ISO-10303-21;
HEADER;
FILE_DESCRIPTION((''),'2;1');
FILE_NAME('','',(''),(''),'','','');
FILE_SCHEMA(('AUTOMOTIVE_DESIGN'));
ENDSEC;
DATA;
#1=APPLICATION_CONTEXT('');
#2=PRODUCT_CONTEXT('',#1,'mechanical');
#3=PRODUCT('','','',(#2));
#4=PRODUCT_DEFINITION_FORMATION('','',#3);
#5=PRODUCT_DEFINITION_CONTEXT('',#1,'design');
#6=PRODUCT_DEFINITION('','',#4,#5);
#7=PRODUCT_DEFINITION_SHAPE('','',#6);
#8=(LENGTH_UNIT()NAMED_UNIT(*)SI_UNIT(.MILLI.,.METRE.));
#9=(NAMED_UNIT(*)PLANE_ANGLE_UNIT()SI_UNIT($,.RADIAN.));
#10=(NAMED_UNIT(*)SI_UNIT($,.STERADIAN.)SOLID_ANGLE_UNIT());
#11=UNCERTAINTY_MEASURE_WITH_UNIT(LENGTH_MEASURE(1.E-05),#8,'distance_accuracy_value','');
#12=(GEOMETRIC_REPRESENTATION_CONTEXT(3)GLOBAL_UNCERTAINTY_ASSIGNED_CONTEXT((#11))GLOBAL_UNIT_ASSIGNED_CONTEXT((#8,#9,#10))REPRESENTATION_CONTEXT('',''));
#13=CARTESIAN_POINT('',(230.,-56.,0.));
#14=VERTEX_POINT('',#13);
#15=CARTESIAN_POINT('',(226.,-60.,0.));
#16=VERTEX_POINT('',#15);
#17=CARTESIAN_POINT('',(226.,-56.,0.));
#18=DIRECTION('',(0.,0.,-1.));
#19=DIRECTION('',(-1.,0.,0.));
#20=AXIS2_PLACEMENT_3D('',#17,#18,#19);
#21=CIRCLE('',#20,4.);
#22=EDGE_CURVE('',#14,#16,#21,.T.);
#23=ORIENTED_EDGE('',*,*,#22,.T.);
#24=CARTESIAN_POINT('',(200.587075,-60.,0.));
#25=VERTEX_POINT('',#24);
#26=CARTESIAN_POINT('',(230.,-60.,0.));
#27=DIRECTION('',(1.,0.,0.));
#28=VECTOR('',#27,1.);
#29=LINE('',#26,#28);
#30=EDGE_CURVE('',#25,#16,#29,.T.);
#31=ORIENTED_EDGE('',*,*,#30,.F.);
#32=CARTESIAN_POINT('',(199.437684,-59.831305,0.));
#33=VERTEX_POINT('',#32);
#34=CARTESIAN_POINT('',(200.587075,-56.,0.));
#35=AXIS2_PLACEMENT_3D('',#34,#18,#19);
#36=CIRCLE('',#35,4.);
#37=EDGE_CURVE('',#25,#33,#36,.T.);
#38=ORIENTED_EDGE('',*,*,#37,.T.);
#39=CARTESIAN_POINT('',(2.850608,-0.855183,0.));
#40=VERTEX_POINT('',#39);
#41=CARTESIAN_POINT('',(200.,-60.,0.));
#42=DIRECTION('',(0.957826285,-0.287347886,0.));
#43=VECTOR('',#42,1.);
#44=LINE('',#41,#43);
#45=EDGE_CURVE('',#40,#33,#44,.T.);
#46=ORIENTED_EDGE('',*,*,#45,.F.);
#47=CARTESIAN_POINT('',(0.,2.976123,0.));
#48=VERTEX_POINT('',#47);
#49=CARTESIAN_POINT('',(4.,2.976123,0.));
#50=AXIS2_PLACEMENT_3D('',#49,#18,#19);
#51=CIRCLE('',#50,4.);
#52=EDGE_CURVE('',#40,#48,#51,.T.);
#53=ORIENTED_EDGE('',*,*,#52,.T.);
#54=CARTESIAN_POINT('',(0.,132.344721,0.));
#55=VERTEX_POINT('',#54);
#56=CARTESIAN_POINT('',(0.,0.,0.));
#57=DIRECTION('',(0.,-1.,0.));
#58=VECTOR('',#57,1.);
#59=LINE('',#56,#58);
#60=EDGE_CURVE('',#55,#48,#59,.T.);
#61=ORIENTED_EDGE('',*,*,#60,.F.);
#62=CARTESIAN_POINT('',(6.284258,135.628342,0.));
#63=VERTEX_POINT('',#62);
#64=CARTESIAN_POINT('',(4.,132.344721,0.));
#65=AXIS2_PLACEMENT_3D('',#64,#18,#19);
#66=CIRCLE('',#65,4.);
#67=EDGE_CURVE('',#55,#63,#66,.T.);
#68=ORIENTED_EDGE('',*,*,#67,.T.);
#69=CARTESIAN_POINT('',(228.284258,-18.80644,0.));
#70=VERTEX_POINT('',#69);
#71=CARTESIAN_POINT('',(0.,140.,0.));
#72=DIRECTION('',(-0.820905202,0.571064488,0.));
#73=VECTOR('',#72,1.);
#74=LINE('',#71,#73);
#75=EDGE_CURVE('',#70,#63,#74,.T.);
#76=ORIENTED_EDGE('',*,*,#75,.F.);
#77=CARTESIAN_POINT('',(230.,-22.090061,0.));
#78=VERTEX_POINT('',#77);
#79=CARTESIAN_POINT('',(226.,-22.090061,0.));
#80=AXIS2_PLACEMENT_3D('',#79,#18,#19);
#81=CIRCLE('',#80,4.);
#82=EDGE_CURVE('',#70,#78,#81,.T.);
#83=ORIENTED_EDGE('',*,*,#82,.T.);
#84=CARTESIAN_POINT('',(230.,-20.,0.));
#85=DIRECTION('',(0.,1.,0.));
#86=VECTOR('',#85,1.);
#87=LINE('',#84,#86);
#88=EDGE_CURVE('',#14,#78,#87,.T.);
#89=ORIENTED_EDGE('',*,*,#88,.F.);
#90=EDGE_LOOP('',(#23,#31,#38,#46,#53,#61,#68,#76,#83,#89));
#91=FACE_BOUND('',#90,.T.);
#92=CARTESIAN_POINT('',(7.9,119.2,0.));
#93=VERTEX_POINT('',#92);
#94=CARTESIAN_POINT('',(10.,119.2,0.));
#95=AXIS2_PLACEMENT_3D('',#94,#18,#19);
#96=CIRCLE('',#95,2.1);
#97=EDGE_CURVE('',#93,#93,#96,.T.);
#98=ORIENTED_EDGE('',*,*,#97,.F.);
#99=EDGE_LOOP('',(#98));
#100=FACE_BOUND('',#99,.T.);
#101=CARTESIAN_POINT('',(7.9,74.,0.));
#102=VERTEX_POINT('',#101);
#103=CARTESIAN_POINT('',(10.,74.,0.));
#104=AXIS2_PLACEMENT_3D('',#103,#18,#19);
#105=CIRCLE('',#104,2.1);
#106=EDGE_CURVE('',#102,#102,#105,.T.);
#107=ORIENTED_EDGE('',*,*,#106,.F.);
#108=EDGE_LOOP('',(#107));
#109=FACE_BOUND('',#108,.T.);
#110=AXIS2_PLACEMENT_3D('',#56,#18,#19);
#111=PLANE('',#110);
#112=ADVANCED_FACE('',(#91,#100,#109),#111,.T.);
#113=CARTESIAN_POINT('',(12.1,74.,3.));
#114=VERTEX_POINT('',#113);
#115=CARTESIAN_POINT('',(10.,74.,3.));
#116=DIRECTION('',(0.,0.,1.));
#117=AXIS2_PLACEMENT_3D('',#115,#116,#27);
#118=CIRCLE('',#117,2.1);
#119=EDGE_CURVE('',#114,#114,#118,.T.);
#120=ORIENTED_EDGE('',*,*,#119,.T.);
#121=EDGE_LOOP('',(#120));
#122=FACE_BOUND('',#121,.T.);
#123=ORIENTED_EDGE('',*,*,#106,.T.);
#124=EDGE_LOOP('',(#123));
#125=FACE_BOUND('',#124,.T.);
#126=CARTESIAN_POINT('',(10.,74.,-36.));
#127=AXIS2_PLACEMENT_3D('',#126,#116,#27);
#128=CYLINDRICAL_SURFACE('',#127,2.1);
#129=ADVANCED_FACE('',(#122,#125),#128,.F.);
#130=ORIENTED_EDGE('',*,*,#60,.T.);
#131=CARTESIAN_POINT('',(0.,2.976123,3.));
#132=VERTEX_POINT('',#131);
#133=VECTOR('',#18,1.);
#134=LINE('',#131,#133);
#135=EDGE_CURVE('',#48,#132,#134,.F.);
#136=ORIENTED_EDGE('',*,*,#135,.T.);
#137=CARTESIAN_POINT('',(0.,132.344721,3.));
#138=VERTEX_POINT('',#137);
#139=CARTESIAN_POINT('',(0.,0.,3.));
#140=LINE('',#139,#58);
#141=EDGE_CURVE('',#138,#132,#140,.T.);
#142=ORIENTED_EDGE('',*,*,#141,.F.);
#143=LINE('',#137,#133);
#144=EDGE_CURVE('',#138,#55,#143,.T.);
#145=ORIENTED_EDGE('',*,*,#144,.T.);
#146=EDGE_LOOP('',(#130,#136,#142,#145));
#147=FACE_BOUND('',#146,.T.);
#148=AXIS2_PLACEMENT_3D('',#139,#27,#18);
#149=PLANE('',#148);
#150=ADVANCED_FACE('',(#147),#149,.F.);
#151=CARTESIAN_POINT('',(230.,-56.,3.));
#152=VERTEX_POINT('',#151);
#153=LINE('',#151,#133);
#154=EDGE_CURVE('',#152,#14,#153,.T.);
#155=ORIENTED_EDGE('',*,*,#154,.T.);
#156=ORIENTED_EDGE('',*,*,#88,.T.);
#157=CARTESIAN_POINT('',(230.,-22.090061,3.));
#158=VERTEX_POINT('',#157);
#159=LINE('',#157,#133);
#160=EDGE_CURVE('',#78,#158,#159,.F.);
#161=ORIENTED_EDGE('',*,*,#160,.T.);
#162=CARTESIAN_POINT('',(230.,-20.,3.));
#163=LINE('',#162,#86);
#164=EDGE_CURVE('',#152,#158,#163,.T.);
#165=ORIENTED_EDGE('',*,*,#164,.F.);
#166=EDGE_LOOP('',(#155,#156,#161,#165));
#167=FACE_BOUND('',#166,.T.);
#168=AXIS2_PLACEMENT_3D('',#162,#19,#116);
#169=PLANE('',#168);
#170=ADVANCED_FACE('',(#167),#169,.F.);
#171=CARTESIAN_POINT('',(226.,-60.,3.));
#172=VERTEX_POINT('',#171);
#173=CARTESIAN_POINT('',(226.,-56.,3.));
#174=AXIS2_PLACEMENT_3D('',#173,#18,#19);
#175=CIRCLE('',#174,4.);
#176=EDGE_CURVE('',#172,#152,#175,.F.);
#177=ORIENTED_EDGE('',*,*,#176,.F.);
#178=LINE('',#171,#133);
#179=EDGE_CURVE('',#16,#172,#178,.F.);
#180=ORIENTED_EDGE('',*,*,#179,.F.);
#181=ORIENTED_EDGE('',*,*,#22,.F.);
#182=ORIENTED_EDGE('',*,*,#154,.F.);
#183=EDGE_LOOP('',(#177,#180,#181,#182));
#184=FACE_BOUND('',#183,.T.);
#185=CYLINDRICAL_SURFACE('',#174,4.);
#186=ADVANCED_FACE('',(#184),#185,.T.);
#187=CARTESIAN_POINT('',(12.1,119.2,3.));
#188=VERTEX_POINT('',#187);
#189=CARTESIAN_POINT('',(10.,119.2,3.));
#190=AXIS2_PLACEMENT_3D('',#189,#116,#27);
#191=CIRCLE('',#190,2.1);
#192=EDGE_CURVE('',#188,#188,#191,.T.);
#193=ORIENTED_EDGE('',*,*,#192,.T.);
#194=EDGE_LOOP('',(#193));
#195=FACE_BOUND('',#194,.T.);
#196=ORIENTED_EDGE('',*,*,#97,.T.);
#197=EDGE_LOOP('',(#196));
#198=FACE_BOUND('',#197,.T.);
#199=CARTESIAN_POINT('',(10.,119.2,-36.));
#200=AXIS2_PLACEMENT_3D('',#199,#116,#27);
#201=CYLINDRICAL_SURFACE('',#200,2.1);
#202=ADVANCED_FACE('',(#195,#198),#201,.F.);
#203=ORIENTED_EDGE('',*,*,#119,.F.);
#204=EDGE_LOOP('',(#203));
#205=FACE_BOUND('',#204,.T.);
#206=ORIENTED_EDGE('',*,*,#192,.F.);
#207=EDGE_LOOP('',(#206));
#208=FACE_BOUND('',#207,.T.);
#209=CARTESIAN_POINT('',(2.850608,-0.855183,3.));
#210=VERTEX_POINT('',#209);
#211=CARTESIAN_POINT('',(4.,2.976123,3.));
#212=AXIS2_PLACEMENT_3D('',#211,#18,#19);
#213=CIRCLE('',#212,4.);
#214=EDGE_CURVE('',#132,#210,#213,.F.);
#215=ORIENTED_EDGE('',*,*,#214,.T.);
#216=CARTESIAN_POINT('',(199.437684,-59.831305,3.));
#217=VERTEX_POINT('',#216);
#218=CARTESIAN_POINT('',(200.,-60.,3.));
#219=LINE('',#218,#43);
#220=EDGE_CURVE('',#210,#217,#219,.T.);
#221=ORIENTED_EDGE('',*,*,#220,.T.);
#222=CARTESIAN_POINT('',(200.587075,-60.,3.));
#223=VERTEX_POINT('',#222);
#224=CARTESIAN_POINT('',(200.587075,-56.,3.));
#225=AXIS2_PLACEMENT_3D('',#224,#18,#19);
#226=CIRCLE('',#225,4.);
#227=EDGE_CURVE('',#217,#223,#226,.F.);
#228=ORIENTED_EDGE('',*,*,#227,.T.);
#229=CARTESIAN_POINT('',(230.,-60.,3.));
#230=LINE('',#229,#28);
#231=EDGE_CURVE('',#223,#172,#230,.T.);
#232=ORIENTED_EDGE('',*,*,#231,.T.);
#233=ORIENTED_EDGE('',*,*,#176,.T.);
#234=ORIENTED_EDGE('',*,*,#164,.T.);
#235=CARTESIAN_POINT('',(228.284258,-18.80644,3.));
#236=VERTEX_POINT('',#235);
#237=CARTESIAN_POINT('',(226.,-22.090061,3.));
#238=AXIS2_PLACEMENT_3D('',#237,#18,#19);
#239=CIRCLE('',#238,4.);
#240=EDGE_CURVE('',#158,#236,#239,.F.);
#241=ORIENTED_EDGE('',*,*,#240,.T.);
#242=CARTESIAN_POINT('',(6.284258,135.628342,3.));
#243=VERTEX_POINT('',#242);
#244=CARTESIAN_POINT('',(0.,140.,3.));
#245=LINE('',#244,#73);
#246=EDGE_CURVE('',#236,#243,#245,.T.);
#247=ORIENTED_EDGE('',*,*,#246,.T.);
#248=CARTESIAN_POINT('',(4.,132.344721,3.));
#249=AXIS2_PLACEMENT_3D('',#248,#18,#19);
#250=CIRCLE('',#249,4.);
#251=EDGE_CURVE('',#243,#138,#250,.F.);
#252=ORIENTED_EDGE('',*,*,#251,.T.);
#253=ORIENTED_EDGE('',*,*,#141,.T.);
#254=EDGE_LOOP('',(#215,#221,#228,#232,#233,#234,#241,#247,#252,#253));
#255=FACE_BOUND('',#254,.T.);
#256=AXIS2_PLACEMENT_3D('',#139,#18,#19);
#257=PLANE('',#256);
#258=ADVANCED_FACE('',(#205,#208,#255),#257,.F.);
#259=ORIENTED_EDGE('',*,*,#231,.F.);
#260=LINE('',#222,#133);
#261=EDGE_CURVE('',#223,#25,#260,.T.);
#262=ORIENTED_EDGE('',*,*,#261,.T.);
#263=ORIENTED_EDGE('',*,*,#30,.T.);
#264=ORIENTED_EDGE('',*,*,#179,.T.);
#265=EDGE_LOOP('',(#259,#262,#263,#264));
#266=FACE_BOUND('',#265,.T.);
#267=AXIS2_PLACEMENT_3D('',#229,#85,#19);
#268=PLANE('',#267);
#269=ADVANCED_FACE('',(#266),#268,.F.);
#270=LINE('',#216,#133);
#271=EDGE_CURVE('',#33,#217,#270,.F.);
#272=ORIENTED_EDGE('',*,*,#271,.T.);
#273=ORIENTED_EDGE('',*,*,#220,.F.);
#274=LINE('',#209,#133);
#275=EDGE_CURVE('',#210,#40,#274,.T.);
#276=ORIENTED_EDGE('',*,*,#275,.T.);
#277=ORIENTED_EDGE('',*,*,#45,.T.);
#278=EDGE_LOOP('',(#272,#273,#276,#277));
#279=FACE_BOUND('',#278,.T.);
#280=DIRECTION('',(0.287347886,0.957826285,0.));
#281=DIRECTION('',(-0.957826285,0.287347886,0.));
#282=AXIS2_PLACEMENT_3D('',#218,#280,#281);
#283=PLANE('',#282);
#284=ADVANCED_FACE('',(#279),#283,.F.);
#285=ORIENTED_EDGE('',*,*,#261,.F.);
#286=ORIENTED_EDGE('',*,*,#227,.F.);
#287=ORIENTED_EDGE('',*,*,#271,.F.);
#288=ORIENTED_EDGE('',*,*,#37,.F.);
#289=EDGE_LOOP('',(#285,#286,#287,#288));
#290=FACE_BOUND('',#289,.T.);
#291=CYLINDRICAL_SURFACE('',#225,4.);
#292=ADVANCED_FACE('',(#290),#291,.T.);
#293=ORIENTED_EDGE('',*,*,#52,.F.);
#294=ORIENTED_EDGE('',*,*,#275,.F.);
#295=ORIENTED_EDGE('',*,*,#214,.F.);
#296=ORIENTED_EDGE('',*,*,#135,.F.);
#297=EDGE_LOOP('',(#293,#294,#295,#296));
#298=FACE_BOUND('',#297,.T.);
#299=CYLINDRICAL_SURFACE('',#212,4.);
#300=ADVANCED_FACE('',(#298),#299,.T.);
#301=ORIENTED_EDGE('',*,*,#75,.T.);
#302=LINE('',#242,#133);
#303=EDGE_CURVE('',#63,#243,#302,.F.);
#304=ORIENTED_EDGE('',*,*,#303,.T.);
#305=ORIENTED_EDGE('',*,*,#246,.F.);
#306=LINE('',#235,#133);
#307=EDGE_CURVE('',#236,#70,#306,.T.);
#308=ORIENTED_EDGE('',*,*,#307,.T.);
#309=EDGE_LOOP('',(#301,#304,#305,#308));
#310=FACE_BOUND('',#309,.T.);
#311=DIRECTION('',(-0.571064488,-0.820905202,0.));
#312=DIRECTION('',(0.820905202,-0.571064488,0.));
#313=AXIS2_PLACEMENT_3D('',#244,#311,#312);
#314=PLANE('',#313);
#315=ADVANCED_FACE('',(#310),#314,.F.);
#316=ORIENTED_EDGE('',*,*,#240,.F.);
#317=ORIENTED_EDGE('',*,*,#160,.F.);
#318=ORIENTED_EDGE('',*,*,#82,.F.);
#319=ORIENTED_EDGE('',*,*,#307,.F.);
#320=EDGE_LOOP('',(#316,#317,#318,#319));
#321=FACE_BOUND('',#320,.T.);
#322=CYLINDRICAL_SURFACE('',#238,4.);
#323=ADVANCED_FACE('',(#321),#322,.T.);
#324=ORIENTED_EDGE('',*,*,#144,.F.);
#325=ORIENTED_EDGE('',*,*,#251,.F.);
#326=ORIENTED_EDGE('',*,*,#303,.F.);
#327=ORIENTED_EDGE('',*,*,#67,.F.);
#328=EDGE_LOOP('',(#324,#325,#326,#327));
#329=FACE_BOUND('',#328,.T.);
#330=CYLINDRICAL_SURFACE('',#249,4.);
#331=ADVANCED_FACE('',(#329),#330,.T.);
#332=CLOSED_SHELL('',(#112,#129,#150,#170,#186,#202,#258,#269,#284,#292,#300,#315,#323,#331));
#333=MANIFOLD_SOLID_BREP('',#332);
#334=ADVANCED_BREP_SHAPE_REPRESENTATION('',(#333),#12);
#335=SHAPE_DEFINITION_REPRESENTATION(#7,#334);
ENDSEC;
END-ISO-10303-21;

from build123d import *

# Parameters (mm, degrees)
EXTRUDE_1_DEPTH     = 3
SKETCH_2_R          = 2.1
CUT_EXTRUDE_1_DEPTH = 39
FILLET_1_R          = 4


with BuildPart() as part:
    # Эскиз1 → Бобышка-Вытянуть1 (new body)
    with BuildSketch(Plane.XY):
        Polygon((0, 0), (0, 140), (230, -20), (230, -60), (200, -60), align=None)
    extrude(amount=EXTRUDE_1_DEPTH)

    # Эскиз2 → Вырез-Вытянуть1 (cut)
    with BuildSketch(Plane.XY.offset(3)):
        with Locations((10, 74)):
            Circle(SKETCH_2_R)
        with Locations((10, 119.2)):
            Circle(SKETCH_2_R)
    extrude(amount=-CUT_EXTRUDE_1_DEPTH, mode=Mode.SUBTRACT)

    # Скругление1
    fillet_1_edges = [part.edges().sort_by_distance(p)[0] for p in [
        (0, 0, 1.5),
        (0, 140, 1.5),
        (230, -20, 1.5),
        (230, -60, 1.5),
        (200, -60, 1.5),
    ]]
    fillet(fillet_1_edges, radius=FILLET_1_R)


solid = part.part
